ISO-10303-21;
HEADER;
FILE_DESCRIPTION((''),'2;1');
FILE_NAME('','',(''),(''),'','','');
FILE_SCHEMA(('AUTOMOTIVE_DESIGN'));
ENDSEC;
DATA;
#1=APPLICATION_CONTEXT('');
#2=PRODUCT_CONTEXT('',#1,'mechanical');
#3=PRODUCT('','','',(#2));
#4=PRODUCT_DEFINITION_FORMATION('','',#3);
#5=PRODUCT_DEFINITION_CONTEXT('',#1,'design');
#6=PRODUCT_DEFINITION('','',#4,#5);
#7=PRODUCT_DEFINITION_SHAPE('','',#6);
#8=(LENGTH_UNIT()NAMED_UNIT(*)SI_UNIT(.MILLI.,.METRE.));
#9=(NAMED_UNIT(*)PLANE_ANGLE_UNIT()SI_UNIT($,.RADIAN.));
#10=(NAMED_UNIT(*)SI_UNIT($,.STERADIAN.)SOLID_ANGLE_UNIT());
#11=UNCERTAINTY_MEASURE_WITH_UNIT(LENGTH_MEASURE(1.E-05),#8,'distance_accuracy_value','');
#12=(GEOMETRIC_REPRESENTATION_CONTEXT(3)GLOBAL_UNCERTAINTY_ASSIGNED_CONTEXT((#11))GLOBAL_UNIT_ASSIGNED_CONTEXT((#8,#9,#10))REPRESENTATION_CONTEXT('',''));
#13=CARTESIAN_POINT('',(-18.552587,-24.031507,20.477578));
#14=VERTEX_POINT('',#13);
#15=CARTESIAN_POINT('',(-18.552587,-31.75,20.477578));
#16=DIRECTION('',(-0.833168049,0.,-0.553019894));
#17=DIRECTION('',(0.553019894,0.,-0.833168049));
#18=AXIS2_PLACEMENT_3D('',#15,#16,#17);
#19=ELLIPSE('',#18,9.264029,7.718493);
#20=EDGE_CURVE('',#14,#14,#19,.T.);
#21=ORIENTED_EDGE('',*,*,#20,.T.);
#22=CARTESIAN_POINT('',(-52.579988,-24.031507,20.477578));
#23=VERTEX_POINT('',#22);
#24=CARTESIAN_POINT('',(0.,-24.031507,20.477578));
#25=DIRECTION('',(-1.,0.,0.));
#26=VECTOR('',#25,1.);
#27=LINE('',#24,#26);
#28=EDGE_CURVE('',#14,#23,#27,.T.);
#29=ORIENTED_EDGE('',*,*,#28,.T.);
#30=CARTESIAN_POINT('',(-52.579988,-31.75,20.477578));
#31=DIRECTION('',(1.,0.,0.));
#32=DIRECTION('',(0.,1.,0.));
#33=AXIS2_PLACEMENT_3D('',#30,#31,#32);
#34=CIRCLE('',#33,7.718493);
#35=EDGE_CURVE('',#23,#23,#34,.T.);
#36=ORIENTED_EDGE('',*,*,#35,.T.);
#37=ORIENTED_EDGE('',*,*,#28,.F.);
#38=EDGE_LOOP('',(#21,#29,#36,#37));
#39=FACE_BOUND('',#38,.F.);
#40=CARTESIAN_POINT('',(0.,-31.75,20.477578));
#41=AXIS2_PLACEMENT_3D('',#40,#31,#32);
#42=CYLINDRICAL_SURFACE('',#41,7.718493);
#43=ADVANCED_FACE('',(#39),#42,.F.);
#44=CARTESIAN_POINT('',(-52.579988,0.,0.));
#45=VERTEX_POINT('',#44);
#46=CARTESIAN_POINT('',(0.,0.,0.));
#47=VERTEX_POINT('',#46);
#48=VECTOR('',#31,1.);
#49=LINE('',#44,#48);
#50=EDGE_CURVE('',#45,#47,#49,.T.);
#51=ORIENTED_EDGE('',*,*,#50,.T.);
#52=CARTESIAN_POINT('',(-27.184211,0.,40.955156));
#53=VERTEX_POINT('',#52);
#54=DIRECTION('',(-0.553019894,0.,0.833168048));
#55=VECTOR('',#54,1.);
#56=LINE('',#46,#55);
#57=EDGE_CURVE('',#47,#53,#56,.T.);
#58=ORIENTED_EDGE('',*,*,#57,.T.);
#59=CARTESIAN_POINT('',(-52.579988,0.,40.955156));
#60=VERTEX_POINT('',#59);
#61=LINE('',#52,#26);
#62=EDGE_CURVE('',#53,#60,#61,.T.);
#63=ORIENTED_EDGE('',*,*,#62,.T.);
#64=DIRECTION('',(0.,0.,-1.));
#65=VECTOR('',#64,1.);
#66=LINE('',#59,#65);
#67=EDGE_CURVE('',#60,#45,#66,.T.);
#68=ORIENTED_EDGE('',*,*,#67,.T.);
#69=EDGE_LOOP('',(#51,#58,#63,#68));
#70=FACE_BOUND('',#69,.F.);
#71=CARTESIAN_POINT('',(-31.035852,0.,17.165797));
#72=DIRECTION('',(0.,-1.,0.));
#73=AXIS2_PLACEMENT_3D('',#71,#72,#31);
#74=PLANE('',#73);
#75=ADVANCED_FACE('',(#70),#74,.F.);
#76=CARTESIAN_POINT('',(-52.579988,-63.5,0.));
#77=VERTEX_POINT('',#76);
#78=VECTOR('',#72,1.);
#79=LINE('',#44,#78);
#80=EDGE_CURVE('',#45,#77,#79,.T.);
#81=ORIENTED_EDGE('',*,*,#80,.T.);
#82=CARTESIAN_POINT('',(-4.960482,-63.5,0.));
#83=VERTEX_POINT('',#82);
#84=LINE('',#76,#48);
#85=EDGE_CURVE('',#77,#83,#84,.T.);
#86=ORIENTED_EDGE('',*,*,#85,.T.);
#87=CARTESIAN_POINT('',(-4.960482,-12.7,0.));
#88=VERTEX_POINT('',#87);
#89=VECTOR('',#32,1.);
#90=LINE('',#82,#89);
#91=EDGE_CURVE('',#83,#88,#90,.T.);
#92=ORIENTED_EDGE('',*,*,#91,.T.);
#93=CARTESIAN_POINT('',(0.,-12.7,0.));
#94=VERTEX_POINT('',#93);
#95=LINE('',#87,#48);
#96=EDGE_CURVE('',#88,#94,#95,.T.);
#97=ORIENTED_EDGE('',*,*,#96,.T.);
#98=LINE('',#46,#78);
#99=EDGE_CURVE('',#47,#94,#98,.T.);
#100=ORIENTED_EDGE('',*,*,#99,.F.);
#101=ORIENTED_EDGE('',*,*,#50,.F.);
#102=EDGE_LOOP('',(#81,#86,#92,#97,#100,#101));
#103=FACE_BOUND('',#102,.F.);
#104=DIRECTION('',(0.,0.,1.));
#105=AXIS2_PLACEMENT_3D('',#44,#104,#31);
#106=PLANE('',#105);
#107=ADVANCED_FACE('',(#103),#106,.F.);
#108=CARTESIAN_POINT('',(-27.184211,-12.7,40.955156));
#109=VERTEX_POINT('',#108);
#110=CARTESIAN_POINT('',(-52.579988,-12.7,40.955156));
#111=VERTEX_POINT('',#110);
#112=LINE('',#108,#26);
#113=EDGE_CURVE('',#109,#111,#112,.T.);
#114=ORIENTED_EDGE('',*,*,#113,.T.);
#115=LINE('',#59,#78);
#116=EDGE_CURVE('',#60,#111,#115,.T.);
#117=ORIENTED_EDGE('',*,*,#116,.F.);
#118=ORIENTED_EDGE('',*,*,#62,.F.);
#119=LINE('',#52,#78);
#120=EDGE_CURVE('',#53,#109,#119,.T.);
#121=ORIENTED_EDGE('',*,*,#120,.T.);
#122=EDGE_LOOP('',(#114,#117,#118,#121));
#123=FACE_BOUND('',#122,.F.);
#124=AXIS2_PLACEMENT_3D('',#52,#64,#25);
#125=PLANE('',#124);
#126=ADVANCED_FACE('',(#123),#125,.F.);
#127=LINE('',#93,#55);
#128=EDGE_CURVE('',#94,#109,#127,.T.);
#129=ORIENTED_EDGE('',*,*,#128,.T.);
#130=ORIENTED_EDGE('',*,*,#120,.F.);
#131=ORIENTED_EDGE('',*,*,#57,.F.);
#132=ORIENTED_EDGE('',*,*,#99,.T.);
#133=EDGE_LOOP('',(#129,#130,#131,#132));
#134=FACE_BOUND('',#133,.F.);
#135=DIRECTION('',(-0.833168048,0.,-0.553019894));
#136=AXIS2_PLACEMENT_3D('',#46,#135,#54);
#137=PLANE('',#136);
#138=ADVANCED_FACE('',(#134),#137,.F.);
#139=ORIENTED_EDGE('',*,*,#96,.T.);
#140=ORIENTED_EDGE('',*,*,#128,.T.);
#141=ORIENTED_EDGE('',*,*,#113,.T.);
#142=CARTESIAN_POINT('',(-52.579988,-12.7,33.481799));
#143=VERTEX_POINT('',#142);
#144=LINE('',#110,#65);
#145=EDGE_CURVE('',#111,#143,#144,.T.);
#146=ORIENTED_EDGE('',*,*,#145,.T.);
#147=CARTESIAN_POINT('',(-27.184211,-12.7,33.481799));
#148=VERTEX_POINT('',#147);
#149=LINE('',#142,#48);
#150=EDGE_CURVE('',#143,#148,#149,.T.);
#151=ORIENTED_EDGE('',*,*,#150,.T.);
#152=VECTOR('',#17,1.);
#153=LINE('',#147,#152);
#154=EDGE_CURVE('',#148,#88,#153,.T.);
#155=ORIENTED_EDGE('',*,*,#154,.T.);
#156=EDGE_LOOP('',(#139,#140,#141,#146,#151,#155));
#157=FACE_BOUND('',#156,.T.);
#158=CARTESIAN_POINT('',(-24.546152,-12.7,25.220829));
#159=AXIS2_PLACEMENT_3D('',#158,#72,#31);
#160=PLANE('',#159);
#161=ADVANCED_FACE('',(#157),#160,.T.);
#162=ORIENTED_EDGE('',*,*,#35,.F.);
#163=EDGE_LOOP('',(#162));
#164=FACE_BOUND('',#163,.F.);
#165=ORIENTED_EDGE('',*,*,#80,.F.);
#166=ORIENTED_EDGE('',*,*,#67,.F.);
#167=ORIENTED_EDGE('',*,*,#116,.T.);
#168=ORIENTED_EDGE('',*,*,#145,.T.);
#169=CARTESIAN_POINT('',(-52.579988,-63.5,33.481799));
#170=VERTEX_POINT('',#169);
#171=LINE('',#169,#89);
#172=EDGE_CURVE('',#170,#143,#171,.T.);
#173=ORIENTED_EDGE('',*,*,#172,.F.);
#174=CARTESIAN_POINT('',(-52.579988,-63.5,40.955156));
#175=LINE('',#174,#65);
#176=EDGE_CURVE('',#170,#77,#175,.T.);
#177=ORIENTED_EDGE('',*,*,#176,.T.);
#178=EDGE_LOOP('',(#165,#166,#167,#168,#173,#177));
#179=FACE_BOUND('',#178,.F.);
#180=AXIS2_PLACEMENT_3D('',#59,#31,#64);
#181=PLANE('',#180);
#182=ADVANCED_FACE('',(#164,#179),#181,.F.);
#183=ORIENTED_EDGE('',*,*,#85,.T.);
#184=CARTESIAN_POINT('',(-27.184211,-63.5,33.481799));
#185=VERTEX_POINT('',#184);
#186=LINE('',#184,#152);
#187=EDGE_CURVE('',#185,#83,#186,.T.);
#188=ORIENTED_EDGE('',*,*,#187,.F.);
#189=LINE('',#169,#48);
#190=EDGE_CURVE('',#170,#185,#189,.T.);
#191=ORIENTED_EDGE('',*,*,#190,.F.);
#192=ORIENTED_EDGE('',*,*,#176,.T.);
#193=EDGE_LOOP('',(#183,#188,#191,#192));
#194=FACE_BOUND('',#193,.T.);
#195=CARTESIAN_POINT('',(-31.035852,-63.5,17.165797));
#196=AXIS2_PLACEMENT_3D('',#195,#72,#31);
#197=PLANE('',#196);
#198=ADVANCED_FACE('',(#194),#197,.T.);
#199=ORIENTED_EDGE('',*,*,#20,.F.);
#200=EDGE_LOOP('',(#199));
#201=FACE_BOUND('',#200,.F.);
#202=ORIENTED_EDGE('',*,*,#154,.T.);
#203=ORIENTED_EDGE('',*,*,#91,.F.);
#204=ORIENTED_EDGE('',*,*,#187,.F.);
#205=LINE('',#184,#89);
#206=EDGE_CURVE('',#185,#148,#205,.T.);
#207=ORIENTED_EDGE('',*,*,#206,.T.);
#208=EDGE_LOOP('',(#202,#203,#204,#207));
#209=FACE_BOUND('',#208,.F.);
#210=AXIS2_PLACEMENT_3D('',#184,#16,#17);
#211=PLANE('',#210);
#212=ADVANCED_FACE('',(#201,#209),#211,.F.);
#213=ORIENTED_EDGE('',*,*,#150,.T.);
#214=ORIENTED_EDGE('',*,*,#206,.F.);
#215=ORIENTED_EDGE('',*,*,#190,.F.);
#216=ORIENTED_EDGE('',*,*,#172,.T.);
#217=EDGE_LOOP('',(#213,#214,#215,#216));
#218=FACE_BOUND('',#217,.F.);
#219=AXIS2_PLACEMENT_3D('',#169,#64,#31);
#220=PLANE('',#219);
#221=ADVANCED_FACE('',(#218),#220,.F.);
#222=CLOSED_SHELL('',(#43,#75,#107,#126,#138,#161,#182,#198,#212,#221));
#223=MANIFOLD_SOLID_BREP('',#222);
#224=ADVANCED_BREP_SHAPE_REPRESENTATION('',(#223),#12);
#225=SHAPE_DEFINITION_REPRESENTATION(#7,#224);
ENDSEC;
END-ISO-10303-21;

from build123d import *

# Parameters (mm, degrees)
F1_DEPTH = 63.5
F2_R     = 7.718493
F3_DEPTH = 52.580988
F5_DEPTH = 50.8


with BuildPart() as f1:
    # F0 (on Front) → F1 (new body)
    with BuildSketch(Plane.XZ):
        Polygon((-52.579988, 0), (0, 0), (-27.184211, 40.955156), (-52.579988, 40.955156), align=None)
    extrude(amount=F1_DEPTH)

    # F2 (on Right) → F3 (cut, through all)
    with BuildSketch(Plane.YZ):
        with Locations((-31.75, 20.477578)):
            Circle(F2_R)
    extrude(amount=-F3_DEPTH, mode=Mode.SUBTRACT)

    # F4 (on face) → F5 (cut)
    with BuildSketch(Plane.XZ.offset(63.5)):
        Polygon((-52.579988, 40.955156), (-52.579988, 33.481799), (-27.184211, 33.481799), (-4.960482, 0), (0, 0), (-27.184211, 40.955156), align=None)
    extrude(amount=-F5_DEPTH, mode=Mode.SUBTRACT)


solid = f1.part
